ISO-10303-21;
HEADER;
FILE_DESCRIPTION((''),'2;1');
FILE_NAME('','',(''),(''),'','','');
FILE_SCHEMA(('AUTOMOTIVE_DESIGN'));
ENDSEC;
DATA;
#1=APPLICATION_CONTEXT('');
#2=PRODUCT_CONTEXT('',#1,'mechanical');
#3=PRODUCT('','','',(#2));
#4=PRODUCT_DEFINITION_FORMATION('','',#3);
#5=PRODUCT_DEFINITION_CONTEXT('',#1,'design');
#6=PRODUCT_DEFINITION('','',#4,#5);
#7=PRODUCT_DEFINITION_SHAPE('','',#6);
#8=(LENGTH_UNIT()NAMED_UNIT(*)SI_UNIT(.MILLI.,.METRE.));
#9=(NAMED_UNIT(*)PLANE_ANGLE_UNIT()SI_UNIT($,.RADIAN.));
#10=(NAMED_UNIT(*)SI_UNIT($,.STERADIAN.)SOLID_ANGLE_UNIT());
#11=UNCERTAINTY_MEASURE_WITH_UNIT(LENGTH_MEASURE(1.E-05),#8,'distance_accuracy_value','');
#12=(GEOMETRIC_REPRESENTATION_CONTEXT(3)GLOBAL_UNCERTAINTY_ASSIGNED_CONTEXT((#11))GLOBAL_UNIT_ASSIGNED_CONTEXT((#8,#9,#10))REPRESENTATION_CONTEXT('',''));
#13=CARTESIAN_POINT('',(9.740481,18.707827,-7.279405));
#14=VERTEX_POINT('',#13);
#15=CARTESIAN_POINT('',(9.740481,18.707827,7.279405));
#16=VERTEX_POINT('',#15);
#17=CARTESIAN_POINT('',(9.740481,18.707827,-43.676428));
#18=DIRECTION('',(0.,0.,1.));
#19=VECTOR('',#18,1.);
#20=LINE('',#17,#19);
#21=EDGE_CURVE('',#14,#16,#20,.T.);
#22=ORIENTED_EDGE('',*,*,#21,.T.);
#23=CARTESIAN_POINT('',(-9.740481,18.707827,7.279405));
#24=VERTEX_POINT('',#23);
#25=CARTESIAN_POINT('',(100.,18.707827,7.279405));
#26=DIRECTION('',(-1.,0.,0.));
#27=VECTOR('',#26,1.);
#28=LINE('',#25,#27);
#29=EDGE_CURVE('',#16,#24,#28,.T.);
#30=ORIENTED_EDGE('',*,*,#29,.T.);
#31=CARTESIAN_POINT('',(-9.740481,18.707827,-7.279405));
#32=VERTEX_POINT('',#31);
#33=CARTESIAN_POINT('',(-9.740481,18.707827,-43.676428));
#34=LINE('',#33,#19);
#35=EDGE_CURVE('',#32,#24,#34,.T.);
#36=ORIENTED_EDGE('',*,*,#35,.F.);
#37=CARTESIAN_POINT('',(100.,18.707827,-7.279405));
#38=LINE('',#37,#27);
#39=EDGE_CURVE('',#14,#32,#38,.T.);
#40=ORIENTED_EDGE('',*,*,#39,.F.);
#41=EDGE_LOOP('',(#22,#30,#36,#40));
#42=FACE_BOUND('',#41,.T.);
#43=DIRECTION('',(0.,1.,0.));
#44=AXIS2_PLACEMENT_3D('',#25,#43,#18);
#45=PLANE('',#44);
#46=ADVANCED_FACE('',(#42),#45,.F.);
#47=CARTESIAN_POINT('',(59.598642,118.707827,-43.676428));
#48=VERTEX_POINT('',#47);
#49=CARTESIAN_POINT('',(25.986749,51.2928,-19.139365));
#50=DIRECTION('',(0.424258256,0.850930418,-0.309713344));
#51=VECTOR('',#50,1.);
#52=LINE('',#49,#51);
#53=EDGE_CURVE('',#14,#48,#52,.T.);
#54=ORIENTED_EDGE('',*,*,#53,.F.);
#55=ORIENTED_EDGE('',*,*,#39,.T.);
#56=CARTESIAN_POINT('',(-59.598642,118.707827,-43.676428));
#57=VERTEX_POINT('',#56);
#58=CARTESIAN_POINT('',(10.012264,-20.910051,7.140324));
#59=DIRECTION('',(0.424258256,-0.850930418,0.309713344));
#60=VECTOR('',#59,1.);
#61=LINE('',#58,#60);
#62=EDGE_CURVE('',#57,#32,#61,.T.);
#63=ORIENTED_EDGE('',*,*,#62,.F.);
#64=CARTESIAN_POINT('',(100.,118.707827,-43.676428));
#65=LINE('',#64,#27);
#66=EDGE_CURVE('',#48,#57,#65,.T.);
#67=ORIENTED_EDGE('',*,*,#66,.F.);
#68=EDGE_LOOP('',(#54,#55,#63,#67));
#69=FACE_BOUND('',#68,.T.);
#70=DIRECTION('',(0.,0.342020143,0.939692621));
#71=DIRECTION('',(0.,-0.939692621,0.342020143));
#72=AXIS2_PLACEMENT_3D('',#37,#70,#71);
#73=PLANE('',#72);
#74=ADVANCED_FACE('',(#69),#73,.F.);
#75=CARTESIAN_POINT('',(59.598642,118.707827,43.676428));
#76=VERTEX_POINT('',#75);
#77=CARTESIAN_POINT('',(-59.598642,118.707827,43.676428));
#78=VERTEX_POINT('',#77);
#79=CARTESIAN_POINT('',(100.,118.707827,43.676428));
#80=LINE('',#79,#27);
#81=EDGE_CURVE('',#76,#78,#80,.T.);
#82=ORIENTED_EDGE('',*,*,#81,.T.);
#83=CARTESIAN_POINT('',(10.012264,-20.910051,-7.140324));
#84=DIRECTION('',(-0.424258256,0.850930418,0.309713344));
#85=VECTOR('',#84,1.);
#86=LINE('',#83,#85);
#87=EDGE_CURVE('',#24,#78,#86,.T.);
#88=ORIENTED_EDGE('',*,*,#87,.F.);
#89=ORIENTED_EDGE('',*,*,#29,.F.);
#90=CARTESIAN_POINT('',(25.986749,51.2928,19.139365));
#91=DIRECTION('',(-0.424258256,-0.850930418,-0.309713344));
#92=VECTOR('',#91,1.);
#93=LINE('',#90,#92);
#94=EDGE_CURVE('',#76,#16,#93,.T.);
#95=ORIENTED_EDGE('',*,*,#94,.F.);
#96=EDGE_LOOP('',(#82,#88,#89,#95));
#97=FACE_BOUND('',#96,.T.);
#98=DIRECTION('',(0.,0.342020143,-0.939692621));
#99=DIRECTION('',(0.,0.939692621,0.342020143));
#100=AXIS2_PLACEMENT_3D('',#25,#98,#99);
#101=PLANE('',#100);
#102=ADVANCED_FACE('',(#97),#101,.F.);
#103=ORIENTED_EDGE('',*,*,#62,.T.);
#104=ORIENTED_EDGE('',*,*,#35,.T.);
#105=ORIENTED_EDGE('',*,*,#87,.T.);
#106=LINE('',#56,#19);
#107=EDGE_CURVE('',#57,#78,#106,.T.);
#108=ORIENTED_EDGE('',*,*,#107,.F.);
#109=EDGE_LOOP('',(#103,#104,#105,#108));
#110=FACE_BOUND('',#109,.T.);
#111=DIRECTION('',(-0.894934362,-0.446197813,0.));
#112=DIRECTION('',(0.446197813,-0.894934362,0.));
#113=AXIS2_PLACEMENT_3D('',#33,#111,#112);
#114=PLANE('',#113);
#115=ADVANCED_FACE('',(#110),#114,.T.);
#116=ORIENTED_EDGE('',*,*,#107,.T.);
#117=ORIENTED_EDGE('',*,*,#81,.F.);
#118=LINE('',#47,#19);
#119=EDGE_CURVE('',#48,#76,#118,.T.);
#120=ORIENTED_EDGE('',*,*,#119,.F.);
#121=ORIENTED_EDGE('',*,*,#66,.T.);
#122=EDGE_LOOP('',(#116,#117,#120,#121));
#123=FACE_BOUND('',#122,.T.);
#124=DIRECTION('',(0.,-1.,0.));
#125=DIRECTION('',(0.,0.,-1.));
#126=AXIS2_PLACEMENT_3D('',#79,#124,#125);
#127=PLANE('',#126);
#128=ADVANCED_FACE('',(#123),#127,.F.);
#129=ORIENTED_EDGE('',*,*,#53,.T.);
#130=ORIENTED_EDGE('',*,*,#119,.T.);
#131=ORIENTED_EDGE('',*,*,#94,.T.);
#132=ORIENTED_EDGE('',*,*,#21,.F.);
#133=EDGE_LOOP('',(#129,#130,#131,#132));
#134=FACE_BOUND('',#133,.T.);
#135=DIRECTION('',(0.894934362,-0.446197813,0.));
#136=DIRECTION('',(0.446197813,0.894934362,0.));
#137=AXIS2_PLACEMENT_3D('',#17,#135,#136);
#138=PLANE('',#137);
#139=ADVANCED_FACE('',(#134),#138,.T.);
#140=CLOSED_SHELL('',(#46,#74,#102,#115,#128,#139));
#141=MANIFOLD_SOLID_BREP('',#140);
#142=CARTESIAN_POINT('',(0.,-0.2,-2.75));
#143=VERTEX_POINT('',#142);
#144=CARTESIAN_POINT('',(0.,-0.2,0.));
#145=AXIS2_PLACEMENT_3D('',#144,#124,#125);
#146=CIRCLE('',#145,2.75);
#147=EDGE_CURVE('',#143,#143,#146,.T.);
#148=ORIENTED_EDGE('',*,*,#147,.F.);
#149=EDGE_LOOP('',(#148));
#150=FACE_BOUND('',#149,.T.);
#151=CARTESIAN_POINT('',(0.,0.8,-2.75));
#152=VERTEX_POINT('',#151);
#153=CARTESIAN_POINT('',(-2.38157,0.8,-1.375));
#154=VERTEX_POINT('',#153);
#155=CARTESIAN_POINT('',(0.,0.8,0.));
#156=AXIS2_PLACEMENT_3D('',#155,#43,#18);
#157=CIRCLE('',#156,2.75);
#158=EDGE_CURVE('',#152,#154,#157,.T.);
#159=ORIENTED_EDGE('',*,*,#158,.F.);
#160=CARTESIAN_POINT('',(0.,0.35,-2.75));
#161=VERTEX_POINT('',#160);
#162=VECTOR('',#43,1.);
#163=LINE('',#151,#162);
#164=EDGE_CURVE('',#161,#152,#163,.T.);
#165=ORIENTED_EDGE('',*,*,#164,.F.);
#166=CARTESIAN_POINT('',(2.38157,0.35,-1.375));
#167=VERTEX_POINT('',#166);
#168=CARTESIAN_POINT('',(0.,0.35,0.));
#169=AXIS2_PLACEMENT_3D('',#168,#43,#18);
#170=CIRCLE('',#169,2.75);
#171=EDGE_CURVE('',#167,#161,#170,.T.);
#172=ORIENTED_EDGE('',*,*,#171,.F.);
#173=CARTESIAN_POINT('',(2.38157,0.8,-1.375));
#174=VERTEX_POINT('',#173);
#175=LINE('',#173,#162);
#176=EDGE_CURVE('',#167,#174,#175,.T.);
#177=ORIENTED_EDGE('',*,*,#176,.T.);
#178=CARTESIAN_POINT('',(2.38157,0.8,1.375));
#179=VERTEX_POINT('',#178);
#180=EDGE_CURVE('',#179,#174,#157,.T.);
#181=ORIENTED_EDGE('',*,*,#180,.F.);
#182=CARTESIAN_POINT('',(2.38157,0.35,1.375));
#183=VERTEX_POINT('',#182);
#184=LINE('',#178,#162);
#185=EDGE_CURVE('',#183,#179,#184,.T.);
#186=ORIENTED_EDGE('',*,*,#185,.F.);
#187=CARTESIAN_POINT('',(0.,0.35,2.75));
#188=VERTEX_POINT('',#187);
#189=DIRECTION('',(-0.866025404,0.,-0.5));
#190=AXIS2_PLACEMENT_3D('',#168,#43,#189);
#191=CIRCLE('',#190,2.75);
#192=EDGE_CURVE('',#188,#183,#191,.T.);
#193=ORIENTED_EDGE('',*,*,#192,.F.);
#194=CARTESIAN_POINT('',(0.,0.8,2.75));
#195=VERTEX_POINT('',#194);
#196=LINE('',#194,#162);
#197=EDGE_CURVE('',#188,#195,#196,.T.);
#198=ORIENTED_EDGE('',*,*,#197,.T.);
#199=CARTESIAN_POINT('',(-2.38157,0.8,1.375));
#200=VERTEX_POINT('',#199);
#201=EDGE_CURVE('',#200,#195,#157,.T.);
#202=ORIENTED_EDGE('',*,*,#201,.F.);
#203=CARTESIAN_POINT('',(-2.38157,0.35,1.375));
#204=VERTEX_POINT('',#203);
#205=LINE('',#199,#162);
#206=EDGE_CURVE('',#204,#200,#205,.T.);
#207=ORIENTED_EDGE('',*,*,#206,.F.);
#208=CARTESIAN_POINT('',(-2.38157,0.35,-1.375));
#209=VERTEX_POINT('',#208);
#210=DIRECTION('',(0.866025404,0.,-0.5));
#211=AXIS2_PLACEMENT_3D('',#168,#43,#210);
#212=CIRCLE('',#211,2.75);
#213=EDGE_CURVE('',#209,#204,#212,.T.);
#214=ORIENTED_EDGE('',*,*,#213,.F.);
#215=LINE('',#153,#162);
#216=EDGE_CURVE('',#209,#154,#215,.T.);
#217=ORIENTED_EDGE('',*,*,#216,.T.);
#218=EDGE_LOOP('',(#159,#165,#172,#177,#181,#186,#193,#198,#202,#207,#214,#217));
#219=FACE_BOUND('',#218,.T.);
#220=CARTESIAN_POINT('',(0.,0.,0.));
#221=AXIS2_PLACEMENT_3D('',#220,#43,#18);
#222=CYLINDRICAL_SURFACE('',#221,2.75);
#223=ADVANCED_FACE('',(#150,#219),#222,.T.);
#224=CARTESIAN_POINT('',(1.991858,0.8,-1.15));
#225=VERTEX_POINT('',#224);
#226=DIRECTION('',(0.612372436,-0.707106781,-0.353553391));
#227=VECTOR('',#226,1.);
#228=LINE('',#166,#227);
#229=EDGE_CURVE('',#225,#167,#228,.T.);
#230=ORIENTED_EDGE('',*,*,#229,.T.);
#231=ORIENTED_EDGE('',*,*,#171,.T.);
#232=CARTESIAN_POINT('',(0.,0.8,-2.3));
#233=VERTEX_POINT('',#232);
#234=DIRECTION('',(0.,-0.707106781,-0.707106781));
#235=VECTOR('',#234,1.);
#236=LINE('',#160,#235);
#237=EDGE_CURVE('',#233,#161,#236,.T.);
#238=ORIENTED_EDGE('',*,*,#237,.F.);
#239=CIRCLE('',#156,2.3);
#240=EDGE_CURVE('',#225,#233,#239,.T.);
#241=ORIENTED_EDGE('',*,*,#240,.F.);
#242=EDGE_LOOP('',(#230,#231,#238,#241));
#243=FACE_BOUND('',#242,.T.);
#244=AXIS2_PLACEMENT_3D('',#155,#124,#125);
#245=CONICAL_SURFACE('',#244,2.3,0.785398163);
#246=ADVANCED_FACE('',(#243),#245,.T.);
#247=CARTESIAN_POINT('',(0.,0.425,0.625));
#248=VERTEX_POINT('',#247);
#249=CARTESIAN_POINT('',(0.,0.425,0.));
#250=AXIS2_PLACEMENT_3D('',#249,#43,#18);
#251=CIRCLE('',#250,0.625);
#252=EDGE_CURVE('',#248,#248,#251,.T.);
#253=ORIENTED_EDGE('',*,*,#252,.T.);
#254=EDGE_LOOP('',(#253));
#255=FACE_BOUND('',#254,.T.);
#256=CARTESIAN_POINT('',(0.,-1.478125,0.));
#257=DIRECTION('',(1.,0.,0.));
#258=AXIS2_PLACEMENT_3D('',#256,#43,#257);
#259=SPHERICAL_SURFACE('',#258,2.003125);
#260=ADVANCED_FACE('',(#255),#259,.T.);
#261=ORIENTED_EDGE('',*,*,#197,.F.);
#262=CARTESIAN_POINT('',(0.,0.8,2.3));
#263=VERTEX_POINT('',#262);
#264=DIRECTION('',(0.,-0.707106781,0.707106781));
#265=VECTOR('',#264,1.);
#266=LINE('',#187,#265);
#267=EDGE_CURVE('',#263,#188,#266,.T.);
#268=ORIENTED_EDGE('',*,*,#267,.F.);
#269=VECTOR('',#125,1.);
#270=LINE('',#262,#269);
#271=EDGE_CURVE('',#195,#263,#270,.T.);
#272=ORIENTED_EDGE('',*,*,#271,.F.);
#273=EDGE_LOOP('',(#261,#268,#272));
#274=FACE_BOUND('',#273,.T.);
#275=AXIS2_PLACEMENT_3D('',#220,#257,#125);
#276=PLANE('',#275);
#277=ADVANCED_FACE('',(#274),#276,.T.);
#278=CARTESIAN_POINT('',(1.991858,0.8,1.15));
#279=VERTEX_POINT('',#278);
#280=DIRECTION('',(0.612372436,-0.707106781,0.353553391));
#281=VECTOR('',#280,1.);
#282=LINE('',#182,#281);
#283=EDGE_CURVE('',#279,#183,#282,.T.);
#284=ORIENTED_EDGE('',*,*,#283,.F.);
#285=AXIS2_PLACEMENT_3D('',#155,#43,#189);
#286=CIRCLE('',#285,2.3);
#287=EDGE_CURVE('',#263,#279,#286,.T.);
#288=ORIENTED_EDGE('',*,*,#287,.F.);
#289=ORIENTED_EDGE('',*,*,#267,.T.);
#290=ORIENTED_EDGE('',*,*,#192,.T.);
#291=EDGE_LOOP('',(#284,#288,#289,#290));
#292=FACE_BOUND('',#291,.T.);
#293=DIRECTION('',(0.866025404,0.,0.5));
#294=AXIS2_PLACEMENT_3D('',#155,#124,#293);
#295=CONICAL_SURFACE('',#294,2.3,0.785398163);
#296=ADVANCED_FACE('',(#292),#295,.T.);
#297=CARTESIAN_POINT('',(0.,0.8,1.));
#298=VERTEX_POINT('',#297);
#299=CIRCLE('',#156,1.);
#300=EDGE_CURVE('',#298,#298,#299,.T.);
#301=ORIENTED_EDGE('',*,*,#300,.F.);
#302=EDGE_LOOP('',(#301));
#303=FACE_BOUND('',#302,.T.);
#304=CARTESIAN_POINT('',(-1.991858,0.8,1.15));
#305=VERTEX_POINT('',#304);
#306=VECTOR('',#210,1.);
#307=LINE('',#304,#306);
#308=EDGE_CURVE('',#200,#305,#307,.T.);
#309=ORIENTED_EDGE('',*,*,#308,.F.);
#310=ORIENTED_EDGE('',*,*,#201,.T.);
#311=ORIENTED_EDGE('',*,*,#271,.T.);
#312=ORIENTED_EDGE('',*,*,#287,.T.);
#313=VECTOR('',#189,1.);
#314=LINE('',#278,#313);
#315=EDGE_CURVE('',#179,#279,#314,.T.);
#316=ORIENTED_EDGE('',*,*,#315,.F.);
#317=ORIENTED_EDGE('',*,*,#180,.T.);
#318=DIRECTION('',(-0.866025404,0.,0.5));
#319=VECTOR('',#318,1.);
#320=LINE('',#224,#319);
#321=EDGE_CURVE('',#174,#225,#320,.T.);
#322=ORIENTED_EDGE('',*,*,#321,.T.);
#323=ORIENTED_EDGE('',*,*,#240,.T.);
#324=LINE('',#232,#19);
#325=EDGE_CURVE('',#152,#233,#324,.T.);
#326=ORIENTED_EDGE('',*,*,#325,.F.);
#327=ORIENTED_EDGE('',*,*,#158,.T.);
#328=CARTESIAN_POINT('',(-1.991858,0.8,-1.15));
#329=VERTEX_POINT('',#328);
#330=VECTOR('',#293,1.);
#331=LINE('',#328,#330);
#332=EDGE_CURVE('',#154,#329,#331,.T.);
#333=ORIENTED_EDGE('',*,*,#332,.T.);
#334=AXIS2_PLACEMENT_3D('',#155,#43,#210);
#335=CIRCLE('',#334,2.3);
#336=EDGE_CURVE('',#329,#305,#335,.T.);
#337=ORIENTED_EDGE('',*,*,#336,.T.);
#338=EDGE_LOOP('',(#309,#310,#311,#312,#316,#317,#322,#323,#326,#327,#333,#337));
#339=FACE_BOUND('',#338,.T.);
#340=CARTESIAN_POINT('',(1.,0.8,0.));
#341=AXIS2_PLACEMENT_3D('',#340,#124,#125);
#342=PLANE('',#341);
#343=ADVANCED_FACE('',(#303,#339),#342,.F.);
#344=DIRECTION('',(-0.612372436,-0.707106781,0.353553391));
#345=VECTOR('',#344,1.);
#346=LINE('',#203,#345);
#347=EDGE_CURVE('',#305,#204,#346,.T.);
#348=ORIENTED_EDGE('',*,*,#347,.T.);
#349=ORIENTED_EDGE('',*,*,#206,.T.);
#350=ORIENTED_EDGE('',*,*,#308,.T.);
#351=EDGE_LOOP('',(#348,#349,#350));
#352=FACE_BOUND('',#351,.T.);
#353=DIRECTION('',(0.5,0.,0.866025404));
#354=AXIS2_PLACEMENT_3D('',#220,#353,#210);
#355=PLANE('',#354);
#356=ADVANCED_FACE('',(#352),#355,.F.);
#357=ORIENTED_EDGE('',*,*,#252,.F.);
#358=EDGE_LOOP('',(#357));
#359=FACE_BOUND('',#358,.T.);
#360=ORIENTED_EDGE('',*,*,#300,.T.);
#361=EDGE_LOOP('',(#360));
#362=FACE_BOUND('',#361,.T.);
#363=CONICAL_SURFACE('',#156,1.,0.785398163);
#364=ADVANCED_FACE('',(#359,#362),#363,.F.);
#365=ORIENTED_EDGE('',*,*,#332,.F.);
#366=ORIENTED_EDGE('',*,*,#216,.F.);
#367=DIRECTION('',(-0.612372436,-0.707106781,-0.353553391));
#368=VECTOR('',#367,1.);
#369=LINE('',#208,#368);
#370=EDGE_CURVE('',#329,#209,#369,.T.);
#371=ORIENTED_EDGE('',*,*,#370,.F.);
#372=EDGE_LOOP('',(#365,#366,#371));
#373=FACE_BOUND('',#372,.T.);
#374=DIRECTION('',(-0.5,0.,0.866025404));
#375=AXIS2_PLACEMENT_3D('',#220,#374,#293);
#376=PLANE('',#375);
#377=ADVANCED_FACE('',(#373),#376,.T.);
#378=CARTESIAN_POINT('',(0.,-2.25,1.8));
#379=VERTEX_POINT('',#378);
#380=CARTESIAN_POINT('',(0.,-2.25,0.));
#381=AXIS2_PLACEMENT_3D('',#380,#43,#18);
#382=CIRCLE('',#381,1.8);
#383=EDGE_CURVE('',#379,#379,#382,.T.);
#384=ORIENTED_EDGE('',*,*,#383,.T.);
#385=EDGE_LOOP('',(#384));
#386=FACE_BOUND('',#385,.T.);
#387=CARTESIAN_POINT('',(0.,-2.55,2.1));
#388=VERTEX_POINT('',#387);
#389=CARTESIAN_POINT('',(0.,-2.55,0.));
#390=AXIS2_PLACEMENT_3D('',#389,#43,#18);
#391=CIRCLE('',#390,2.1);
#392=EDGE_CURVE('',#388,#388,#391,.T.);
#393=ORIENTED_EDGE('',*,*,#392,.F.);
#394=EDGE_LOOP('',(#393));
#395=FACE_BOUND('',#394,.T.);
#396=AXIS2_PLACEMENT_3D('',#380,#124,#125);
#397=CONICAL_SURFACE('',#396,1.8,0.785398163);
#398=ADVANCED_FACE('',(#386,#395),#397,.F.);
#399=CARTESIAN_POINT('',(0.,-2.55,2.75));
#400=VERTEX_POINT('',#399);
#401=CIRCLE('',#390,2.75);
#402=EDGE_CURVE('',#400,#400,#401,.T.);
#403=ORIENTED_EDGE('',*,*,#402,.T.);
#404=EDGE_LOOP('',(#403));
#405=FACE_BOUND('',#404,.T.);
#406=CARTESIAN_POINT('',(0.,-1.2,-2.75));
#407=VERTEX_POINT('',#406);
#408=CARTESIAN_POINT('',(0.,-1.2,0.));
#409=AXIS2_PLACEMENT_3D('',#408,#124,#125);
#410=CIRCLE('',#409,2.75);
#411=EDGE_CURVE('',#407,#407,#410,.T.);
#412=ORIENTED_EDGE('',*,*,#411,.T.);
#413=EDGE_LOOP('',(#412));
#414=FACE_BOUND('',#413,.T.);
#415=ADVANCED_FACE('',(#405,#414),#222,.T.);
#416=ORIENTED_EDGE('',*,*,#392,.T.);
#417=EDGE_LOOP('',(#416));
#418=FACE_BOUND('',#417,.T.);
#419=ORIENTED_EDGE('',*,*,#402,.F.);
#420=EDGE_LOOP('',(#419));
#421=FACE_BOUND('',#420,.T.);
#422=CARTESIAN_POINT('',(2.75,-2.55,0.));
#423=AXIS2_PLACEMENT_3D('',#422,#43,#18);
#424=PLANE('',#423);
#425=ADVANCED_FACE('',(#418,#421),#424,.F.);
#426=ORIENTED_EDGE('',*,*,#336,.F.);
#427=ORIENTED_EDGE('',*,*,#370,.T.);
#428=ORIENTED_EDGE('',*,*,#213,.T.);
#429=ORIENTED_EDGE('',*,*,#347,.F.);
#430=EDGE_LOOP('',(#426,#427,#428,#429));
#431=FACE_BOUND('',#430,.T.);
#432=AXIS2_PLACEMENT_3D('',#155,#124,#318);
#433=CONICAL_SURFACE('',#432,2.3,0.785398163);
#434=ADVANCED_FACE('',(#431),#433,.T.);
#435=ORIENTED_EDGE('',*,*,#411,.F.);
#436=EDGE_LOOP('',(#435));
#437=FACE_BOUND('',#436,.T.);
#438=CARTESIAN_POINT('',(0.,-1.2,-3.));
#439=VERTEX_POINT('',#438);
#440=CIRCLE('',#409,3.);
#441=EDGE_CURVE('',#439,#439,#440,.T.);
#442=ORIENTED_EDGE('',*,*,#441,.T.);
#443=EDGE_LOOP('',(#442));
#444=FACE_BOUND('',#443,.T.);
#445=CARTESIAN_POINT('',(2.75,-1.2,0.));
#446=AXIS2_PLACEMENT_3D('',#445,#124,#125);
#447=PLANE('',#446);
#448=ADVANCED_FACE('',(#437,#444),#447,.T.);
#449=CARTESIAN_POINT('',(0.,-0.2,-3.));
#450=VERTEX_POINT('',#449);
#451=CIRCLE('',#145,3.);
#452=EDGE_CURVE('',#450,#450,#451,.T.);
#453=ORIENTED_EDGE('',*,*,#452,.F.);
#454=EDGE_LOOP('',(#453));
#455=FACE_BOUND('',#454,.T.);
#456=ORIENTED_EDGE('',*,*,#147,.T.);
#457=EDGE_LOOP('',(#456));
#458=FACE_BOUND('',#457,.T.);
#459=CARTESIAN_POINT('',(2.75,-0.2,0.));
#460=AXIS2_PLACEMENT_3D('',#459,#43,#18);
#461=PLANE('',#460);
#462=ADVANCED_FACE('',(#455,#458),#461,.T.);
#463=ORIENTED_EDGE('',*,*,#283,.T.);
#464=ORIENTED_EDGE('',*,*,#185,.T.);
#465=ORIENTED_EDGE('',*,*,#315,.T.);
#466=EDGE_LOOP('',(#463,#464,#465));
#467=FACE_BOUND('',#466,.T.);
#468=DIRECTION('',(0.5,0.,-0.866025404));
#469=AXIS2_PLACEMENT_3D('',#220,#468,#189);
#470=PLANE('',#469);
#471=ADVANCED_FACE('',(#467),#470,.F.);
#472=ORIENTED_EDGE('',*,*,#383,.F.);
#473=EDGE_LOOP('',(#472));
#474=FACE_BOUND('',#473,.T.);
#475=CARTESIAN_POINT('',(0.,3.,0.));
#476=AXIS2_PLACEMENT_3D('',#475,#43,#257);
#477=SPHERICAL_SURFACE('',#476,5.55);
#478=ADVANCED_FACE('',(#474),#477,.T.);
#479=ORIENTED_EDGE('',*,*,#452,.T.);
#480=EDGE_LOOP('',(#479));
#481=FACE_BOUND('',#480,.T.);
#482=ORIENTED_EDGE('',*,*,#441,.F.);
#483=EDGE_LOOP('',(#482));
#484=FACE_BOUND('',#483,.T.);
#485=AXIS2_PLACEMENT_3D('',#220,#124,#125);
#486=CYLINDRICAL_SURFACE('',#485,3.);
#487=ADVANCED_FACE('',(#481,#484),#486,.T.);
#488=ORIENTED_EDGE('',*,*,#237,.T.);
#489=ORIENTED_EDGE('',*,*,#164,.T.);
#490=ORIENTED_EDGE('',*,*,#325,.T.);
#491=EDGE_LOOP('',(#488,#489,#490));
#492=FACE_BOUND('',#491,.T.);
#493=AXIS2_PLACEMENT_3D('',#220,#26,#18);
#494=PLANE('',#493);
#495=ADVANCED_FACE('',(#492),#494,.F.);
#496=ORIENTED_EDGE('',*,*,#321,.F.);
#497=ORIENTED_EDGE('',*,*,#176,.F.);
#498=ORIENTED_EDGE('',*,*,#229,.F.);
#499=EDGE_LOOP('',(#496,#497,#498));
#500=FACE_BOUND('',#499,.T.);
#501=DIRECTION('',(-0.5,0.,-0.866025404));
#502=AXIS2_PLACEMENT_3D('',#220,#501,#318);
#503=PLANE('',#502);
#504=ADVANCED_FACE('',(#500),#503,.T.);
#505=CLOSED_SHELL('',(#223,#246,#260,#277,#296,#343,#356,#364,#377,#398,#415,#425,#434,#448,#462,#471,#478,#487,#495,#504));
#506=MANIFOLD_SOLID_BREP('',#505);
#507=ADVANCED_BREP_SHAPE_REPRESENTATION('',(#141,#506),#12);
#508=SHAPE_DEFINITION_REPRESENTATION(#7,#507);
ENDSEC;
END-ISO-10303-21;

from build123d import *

# Parameters (mm, degrees)
SKIZZE4_W             = 0.25
SKIZZE4_H             = 1
TOOLFACE_ANGLE        = 60
KREISMUSTER1_COUNT    = 3
FOV_3_6MM_F_2_9_DEPTH = 100
SKIZZE8_OUTSIDE_W     = 251.934
SKIZZE8_OUTSIDE_H     = 173.192
SKIZZE8_OUTSIDE_R     = 5
FOV2_DEPTH            = 44.676428112
FOV2_DEPTH_BACK       = 44.676428112


with BuildPart() as part:
    # Skizze3 → Body (revolve)
    with BuildSketch(Plane.XY):
        with BuildLine():
            Line((1, 0.8), (2.75, 0.8))
            Line((2.75, 0.8), (2.75, -2.55))
            Line((2.75, -2.55), (2.1, -2.55))
            Line((2.1, -2.55), (1.8, -2.25))
            ThreePointArc((1.8, -2.25), (0.91241438, -2.474486277), (0, -2.55))
            Line((0, -2.55), (0, 0.525))
            ThreePointArc((0, 0.525), (0.316474723, 0.499842016), (0.625, 0.425))
            Line((0.625, 0.425), (1, 0.8))
        make_face()
    revolve(axis=Axis((0, 0, 0), (0, -1, 0)))

    # Skizze4 → Thread (revolve)
    with BuildSketch(Plane.XY):
        with Locations((2.875, -0.7)):
            Rectangle(SKIZZE4_W, SKIZZE4_H)
    revolve(axis=Axis((0, 0, 0), (0, 1, 0)))

    # Skizze5 → Toolface (revolve, cut)
    with BuildSketch(Plane(origin=(0, 0, 0), x_dir=(0, 0, -1), z_dir=(1, 0, 0))):
        Polygon((2.75, 0.8), (2.75, 0.35), (2.3, 0.8), align=None)
    toolface = revolve(axis=Axis((0, 0, 0), (0, -1, 0)), revolution_arc=TOOLFACE_ANGLE, mode=Mode.SUBTRACT)

    # Kreismuster1: Toolface ×3 about axis
    kreismuster1_axis = Axis((0, 0, 0), (0, 1, 0))
    for i in range(1, KREISMUSTER1_COUNT):
        add(toolface.rotate(kreismuster1_axis, i * 360 / KREISMUSTER1_COUNT), mode=Mode.SUBTRACT)


with BuildPart() as body_2:
    # Skizze6 → FOV - 3,6mm f/2,9 (new body, symmetric)
    with BuildSketch(Plane(origin=(0, 0, 0), x_dir=(0, 0, -1), z_dir=(1, 0, 0))):
        Polygon((-7.279404685, 18.707826613), (-43.676428112, 118.707826613), (43.676428112, 118.707826613), (7.279404685, 18.707826613), align=None)
    extrude(amount=FOV_3_6MM_F_2_9_DEPTH, both=True)

    # Skizze8 outside → FOV2 (cut, two sides)
    with BuildSketch(Plane.XY) as fov2_sk:
        with Locations((0, 58.079)):
            Rectangle(SKIZZE8_OUTSIDE_W, SKIZZE8_OUTSIDE_H)
        Circle(SKIZZE8_OUTSIDE_R, mode=Mode.SUBTRACT)
        Polygon((-9.740481092, 18.707826613), (-59.598641898, 118.707826613), (59.598641898, 118.707826613), (9.740481092, 18.707826613), align=None, mode=Mode.SUBTRACT)
    extrude(amount=FOV2_DEPTH, mode=Mode.SUBTRACT)
    extrude(fov2_sk.sketch, amount=-FOV2_DEPTH_BACK, mode=Mode.SUBTRACT)


solid = Compound([part.part, body_2.part])
